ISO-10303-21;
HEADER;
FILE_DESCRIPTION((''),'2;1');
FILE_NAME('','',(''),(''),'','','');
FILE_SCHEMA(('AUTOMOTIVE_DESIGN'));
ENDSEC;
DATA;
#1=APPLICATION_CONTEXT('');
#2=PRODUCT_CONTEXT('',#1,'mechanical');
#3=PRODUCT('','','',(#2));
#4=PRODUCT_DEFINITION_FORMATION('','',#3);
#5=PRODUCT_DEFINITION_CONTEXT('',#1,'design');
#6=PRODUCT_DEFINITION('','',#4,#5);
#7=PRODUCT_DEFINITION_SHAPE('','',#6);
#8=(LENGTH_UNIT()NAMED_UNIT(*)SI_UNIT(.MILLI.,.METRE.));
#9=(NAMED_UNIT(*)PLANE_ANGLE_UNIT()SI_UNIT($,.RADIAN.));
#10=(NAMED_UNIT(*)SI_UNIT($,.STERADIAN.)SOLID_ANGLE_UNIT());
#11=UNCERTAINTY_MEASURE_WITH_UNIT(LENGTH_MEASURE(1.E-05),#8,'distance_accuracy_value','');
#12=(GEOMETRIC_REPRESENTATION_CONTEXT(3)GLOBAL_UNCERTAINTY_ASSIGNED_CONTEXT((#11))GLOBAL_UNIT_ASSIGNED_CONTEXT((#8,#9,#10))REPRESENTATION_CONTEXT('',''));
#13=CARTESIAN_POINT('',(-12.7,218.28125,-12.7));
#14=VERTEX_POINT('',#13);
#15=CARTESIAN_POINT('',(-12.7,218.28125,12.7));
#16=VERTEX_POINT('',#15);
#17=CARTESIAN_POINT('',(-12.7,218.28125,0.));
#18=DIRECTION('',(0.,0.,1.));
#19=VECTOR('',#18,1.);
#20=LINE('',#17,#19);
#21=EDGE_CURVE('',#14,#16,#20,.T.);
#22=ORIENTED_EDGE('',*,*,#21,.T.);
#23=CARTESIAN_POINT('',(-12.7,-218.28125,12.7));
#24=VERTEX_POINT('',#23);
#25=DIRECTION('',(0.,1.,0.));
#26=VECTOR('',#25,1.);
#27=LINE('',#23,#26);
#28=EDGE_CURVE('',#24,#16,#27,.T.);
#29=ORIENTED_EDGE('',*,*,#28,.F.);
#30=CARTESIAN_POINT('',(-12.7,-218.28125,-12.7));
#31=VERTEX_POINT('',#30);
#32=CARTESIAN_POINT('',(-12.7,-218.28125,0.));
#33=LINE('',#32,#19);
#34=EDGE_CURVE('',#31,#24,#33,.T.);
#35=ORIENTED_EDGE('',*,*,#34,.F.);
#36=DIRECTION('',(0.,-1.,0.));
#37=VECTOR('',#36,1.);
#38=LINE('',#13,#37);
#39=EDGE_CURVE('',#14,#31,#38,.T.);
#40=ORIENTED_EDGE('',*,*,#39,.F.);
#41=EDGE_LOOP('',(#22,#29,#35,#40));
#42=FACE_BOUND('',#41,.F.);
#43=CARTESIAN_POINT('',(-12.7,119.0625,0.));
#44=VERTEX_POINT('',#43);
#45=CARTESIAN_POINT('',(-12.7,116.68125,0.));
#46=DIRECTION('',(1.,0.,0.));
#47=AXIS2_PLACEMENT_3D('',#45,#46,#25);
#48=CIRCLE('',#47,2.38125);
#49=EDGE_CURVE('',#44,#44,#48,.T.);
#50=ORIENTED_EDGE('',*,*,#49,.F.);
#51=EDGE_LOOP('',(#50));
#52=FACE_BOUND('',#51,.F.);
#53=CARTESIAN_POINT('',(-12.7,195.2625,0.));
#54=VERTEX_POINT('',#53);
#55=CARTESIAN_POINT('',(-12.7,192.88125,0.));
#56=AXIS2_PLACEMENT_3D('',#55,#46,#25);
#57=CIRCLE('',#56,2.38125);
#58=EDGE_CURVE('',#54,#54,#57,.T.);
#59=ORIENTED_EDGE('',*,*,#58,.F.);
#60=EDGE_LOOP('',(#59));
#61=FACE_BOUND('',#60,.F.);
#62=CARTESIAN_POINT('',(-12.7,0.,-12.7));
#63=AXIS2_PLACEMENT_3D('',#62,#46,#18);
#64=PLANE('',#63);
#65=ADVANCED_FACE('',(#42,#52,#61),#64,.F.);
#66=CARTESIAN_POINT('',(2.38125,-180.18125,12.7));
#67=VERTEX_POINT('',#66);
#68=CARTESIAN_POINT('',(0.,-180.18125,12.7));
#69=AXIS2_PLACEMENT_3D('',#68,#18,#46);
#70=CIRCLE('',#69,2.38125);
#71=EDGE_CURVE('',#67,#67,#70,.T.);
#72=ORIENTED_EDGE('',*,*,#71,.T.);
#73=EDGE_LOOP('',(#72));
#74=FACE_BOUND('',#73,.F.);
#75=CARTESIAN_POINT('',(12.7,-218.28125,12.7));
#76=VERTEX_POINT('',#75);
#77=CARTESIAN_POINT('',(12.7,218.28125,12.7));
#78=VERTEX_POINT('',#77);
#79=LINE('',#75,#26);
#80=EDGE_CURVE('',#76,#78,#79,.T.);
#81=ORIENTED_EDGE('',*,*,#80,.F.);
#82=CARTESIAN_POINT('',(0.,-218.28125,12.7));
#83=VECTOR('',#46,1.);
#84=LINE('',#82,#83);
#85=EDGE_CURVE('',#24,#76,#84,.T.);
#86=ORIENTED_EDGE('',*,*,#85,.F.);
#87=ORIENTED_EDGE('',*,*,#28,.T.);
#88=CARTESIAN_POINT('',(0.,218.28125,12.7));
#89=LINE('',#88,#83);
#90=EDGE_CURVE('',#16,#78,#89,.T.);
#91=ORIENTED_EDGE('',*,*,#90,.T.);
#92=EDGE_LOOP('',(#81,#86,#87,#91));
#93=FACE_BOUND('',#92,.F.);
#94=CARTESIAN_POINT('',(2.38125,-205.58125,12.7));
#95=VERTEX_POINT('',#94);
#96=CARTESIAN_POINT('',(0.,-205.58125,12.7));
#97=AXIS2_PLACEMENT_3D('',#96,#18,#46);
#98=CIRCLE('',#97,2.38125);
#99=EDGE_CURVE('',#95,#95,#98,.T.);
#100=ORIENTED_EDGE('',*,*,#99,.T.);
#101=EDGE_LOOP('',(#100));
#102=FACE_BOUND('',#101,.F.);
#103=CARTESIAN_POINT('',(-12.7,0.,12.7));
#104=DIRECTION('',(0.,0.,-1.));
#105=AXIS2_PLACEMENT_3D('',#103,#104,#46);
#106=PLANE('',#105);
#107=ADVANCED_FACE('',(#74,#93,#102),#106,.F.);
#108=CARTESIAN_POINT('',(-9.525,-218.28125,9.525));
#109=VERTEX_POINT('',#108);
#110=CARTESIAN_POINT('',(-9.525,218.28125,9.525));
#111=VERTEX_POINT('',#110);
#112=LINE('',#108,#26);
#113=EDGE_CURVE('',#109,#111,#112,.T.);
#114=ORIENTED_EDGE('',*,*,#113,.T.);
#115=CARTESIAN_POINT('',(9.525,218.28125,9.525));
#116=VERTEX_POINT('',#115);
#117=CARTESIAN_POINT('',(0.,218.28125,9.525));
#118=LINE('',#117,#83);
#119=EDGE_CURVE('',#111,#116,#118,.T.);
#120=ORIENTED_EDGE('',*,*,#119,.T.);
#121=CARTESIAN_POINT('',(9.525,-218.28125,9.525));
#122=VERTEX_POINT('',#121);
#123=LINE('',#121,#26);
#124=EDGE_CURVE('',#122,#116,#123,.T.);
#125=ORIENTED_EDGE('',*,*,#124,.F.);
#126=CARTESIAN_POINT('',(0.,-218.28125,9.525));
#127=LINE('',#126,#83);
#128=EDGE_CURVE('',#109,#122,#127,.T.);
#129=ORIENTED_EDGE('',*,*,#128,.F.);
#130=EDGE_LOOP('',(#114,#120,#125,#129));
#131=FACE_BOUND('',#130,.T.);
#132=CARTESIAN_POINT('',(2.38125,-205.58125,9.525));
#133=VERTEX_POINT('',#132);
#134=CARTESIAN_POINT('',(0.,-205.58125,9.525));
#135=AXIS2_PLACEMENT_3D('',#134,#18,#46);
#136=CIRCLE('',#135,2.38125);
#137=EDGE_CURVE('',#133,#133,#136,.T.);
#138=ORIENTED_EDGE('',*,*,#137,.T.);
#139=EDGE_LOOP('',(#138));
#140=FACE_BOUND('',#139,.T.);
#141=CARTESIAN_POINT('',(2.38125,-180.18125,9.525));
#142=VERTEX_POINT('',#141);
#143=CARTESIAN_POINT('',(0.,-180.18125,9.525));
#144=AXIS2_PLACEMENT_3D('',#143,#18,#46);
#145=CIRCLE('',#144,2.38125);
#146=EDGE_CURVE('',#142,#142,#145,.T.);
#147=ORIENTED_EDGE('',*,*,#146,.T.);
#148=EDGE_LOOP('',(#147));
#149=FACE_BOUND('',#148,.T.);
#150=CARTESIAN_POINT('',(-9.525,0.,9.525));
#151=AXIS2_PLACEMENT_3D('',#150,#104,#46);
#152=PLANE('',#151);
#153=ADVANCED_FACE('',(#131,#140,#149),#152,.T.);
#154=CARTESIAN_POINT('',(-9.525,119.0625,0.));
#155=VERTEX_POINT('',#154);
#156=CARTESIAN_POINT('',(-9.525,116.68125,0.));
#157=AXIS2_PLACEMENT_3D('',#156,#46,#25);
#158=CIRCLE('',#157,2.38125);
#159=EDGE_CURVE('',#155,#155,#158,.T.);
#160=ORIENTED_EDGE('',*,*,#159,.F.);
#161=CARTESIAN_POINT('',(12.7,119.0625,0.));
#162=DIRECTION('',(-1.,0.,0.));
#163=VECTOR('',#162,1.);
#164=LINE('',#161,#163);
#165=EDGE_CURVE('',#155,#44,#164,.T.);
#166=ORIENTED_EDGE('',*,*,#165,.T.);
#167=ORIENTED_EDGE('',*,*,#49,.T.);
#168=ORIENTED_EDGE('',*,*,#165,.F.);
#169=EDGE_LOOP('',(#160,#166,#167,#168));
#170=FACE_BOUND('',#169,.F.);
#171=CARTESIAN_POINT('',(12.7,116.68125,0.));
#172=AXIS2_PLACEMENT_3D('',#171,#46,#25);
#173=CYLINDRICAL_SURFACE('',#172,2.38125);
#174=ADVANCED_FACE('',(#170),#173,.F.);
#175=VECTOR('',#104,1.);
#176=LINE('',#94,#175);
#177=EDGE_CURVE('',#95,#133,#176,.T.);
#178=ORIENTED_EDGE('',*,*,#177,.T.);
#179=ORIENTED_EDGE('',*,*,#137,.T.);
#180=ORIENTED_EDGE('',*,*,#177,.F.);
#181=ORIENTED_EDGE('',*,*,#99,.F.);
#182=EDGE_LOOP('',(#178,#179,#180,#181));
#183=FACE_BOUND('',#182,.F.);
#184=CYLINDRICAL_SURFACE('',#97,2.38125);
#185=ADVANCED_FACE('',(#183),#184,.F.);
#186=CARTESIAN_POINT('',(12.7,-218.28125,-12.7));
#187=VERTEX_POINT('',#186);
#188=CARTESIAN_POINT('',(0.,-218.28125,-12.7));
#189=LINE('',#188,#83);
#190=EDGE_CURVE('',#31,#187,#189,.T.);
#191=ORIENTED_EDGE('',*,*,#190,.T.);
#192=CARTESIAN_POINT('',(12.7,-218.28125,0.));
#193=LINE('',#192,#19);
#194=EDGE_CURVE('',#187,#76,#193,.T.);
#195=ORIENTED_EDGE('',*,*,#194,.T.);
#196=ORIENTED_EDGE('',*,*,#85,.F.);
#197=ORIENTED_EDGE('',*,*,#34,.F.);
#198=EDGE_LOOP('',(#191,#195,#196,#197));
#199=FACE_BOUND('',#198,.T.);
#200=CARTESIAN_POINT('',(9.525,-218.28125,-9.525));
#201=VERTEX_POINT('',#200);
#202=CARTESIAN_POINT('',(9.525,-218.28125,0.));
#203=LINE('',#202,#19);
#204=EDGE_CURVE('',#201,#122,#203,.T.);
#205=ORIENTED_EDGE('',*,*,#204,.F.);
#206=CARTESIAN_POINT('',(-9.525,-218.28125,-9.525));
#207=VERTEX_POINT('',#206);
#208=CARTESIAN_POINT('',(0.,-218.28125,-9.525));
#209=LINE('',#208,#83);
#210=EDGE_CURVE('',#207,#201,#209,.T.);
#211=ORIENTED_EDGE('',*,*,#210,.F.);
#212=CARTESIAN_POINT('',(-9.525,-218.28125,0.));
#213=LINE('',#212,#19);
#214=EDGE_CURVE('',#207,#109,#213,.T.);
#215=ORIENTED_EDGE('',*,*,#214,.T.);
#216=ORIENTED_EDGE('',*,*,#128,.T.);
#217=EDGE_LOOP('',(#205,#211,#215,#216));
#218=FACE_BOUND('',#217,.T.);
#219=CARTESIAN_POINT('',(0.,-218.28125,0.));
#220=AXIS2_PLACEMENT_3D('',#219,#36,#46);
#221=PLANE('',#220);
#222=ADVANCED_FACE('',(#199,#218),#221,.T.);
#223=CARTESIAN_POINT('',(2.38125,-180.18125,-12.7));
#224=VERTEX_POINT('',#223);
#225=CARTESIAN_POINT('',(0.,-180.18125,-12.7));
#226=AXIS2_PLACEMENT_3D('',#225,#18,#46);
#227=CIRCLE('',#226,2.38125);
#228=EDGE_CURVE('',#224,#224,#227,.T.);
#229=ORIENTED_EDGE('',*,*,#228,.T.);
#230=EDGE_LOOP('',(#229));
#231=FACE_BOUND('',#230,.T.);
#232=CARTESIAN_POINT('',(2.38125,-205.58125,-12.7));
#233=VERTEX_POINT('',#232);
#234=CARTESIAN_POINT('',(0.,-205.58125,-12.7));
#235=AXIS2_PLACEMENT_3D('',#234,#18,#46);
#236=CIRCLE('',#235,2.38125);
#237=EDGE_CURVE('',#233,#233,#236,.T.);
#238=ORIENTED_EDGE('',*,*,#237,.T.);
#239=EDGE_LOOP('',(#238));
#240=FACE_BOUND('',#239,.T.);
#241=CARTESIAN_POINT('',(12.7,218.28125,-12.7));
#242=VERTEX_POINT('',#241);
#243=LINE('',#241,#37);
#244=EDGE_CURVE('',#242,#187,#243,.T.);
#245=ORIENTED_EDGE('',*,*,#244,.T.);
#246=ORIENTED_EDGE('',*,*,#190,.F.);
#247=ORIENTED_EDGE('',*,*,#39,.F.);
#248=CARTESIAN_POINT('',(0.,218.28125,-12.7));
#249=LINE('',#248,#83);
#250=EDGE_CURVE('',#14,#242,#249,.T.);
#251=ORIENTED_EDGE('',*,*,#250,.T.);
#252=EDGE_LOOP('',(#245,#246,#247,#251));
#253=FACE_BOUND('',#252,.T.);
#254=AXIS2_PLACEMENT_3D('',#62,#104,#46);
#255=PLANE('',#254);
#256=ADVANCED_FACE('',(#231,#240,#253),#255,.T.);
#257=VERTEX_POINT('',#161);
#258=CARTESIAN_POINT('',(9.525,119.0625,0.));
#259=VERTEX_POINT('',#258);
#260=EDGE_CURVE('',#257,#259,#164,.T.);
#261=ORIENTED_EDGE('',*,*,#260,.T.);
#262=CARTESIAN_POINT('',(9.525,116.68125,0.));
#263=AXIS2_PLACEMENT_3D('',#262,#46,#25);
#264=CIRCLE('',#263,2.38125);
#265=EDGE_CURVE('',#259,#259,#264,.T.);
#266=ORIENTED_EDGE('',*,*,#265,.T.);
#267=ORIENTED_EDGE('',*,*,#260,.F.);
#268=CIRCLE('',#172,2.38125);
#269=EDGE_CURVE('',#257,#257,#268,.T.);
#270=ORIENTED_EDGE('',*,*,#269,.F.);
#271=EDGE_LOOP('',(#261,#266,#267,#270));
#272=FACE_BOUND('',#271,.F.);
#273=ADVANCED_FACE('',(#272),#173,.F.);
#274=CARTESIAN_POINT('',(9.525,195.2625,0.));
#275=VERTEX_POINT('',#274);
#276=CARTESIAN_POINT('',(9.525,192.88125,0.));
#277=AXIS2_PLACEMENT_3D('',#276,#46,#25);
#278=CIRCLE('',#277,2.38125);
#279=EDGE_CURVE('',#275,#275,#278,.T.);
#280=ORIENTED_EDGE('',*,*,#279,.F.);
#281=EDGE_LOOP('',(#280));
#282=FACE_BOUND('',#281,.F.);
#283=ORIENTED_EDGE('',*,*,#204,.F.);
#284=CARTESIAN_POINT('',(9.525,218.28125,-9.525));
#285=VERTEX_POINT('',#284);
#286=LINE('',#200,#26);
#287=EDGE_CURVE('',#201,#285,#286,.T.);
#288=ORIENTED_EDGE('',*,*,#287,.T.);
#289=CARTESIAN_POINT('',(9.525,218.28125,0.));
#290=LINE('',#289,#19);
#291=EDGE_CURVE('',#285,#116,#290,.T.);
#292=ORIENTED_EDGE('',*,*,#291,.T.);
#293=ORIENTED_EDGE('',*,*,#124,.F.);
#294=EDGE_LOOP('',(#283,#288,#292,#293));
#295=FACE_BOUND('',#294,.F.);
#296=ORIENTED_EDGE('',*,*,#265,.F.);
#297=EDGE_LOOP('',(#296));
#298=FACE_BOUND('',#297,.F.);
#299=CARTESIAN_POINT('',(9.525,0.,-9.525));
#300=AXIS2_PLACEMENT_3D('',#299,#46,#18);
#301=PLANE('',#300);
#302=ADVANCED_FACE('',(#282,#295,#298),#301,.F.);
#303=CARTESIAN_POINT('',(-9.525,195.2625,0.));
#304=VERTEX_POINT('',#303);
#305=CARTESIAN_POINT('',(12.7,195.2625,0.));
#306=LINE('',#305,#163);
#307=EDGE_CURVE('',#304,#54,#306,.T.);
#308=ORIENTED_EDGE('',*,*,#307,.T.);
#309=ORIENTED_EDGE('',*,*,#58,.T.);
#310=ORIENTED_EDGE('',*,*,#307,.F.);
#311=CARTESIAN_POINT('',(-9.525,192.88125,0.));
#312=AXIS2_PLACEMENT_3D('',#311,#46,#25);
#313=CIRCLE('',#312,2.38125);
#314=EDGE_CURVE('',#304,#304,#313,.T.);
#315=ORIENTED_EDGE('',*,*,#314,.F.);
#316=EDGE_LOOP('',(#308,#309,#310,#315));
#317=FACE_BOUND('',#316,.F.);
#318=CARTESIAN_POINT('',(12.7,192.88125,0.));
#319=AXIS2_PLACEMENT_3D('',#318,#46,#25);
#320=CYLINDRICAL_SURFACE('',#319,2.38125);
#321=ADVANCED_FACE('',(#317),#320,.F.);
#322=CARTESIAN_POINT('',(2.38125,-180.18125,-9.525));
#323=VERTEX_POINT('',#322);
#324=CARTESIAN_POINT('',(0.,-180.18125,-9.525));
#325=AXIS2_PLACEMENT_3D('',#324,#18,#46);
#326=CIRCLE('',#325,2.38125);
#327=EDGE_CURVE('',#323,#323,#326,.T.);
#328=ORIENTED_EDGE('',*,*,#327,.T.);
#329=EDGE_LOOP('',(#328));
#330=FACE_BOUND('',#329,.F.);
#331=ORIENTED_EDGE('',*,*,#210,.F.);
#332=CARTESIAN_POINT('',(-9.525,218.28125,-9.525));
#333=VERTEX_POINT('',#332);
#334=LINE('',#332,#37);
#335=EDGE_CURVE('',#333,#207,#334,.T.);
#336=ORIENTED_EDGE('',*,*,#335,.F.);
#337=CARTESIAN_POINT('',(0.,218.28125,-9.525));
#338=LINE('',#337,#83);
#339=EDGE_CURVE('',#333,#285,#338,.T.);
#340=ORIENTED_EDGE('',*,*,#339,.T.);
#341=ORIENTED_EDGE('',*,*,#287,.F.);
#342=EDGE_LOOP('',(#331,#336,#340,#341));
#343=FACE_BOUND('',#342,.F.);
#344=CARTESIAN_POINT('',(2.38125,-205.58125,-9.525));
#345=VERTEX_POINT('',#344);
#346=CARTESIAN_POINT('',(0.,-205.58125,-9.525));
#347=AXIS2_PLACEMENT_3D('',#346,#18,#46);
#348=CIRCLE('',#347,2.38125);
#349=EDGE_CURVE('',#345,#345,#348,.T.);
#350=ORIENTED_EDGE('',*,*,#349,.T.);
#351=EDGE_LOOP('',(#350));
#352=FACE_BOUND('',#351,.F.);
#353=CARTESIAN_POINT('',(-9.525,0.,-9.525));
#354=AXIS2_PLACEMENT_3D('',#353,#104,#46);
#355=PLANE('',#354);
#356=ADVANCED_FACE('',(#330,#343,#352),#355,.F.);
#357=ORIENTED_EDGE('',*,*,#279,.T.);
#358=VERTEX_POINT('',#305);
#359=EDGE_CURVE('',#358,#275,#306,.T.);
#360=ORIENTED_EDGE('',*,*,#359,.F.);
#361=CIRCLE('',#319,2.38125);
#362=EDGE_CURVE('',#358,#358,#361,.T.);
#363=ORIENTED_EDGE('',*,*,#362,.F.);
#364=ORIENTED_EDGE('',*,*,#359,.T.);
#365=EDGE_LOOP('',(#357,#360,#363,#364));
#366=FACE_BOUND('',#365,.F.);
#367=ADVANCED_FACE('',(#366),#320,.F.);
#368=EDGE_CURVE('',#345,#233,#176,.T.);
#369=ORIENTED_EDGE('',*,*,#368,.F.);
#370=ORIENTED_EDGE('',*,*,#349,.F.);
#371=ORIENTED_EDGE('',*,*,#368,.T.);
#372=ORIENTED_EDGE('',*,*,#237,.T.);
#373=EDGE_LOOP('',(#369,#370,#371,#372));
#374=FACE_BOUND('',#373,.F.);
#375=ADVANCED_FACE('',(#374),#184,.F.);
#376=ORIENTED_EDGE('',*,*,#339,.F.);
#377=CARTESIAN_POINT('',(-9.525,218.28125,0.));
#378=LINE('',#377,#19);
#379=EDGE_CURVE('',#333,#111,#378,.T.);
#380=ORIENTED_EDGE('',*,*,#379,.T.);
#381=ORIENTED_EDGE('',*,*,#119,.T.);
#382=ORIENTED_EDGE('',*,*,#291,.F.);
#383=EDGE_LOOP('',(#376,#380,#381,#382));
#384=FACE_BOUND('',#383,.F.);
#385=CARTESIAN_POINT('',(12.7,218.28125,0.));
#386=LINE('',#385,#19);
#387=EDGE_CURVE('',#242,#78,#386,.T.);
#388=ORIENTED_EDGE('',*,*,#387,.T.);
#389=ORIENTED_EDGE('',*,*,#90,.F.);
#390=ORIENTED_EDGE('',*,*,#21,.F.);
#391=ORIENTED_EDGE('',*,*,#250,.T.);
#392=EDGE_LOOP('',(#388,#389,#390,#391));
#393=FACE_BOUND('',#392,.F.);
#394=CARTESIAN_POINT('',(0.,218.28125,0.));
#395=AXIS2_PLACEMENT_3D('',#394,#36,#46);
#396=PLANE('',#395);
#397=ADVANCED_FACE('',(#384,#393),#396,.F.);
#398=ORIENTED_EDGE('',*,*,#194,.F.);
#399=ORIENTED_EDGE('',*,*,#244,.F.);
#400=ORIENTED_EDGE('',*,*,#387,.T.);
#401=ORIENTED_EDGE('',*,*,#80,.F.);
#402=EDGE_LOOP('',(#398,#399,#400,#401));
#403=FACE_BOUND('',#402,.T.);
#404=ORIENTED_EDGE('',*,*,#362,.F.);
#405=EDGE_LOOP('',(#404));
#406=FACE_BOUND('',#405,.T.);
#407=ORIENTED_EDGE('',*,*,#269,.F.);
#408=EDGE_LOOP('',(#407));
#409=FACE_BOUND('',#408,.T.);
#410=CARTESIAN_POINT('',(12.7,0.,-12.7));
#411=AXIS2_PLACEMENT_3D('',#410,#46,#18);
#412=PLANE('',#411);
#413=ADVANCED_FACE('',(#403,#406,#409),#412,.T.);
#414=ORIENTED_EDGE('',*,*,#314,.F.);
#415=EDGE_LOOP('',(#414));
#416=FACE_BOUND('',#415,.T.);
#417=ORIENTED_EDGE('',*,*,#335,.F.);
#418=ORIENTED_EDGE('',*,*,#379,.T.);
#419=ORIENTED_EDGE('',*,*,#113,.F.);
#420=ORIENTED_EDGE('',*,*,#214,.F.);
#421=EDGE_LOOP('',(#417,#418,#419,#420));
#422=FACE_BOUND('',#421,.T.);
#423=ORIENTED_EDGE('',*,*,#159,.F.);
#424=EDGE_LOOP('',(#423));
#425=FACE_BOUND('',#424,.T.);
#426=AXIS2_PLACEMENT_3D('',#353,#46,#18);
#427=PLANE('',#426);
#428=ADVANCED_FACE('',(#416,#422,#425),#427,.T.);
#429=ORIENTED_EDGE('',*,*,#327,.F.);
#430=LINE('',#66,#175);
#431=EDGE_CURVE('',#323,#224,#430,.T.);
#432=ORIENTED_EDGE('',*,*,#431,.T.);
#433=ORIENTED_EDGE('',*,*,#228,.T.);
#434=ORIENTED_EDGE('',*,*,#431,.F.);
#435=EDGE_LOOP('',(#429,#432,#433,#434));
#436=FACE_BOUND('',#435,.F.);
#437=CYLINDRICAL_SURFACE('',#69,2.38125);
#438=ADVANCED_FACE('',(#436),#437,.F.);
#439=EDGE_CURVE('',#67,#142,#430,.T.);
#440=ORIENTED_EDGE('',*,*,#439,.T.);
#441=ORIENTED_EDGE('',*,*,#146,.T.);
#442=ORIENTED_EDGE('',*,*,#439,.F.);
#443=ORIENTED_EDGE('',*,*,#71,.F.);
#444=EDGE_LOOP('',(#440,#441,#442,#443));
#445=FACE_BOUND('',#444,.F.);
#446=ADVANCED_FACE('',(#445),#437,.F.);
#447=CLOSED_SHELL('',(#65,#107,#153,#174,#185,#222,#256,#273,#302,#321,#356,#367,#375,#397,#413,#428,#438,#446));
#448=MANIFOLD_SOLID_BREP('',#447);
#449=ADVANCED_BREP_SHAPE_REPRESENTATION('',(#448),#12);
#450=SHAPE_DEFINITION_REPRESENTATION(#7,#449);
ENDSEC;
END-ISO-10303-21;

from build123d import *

# Parameters (mm, degrees)
F0_W     = 25.4
F0_H     = 25.4
F0_W_2   = 19.05
F0_H_2   = 19.05
F1_DEPTH = 218.28125
F2_R     = 2.38125
F3_DEPTH = 25.401
F4_R     = 2.38125
F5_DEPTH = 25.401


with BuildPart() as f1:
    # F0 (on Front) → F1 (new body, symmetric)
    with BuildSketch(Plane.XZ):
        Rectangle(F0_W, F0_H)
        Rectangle(F0_W_2, F0_H_2, mode=Mode.SUBTRACT)
    extrude(amount=F1_DEPTH, both=True)

    # F2 (on face) → F3 (cut, through all)
    with BuildSketch(Plane.XY.offset(12.7)):
        with Locations((0, -205.58125)):
            Circle(F2_R)
        with Locations((0, -180.18125)):
            Circle(F2_R)
    extrude(amount=-F3_DEPTH, mode=Mode.SUBTRACT)

    # F4 (on face) → F5 (cut, through all)
    with BuildSketch(Plane.YZ.offset(12.7)):
        with Locations((192.88125, 0)):
            Circle(F4_R)
        with Locations((116.68125, 0)):
            Circle(F4_R)
    extrude(amount=-F5_DEPTH, mode=Mode.SUBTRACT)


solid = f1.part
